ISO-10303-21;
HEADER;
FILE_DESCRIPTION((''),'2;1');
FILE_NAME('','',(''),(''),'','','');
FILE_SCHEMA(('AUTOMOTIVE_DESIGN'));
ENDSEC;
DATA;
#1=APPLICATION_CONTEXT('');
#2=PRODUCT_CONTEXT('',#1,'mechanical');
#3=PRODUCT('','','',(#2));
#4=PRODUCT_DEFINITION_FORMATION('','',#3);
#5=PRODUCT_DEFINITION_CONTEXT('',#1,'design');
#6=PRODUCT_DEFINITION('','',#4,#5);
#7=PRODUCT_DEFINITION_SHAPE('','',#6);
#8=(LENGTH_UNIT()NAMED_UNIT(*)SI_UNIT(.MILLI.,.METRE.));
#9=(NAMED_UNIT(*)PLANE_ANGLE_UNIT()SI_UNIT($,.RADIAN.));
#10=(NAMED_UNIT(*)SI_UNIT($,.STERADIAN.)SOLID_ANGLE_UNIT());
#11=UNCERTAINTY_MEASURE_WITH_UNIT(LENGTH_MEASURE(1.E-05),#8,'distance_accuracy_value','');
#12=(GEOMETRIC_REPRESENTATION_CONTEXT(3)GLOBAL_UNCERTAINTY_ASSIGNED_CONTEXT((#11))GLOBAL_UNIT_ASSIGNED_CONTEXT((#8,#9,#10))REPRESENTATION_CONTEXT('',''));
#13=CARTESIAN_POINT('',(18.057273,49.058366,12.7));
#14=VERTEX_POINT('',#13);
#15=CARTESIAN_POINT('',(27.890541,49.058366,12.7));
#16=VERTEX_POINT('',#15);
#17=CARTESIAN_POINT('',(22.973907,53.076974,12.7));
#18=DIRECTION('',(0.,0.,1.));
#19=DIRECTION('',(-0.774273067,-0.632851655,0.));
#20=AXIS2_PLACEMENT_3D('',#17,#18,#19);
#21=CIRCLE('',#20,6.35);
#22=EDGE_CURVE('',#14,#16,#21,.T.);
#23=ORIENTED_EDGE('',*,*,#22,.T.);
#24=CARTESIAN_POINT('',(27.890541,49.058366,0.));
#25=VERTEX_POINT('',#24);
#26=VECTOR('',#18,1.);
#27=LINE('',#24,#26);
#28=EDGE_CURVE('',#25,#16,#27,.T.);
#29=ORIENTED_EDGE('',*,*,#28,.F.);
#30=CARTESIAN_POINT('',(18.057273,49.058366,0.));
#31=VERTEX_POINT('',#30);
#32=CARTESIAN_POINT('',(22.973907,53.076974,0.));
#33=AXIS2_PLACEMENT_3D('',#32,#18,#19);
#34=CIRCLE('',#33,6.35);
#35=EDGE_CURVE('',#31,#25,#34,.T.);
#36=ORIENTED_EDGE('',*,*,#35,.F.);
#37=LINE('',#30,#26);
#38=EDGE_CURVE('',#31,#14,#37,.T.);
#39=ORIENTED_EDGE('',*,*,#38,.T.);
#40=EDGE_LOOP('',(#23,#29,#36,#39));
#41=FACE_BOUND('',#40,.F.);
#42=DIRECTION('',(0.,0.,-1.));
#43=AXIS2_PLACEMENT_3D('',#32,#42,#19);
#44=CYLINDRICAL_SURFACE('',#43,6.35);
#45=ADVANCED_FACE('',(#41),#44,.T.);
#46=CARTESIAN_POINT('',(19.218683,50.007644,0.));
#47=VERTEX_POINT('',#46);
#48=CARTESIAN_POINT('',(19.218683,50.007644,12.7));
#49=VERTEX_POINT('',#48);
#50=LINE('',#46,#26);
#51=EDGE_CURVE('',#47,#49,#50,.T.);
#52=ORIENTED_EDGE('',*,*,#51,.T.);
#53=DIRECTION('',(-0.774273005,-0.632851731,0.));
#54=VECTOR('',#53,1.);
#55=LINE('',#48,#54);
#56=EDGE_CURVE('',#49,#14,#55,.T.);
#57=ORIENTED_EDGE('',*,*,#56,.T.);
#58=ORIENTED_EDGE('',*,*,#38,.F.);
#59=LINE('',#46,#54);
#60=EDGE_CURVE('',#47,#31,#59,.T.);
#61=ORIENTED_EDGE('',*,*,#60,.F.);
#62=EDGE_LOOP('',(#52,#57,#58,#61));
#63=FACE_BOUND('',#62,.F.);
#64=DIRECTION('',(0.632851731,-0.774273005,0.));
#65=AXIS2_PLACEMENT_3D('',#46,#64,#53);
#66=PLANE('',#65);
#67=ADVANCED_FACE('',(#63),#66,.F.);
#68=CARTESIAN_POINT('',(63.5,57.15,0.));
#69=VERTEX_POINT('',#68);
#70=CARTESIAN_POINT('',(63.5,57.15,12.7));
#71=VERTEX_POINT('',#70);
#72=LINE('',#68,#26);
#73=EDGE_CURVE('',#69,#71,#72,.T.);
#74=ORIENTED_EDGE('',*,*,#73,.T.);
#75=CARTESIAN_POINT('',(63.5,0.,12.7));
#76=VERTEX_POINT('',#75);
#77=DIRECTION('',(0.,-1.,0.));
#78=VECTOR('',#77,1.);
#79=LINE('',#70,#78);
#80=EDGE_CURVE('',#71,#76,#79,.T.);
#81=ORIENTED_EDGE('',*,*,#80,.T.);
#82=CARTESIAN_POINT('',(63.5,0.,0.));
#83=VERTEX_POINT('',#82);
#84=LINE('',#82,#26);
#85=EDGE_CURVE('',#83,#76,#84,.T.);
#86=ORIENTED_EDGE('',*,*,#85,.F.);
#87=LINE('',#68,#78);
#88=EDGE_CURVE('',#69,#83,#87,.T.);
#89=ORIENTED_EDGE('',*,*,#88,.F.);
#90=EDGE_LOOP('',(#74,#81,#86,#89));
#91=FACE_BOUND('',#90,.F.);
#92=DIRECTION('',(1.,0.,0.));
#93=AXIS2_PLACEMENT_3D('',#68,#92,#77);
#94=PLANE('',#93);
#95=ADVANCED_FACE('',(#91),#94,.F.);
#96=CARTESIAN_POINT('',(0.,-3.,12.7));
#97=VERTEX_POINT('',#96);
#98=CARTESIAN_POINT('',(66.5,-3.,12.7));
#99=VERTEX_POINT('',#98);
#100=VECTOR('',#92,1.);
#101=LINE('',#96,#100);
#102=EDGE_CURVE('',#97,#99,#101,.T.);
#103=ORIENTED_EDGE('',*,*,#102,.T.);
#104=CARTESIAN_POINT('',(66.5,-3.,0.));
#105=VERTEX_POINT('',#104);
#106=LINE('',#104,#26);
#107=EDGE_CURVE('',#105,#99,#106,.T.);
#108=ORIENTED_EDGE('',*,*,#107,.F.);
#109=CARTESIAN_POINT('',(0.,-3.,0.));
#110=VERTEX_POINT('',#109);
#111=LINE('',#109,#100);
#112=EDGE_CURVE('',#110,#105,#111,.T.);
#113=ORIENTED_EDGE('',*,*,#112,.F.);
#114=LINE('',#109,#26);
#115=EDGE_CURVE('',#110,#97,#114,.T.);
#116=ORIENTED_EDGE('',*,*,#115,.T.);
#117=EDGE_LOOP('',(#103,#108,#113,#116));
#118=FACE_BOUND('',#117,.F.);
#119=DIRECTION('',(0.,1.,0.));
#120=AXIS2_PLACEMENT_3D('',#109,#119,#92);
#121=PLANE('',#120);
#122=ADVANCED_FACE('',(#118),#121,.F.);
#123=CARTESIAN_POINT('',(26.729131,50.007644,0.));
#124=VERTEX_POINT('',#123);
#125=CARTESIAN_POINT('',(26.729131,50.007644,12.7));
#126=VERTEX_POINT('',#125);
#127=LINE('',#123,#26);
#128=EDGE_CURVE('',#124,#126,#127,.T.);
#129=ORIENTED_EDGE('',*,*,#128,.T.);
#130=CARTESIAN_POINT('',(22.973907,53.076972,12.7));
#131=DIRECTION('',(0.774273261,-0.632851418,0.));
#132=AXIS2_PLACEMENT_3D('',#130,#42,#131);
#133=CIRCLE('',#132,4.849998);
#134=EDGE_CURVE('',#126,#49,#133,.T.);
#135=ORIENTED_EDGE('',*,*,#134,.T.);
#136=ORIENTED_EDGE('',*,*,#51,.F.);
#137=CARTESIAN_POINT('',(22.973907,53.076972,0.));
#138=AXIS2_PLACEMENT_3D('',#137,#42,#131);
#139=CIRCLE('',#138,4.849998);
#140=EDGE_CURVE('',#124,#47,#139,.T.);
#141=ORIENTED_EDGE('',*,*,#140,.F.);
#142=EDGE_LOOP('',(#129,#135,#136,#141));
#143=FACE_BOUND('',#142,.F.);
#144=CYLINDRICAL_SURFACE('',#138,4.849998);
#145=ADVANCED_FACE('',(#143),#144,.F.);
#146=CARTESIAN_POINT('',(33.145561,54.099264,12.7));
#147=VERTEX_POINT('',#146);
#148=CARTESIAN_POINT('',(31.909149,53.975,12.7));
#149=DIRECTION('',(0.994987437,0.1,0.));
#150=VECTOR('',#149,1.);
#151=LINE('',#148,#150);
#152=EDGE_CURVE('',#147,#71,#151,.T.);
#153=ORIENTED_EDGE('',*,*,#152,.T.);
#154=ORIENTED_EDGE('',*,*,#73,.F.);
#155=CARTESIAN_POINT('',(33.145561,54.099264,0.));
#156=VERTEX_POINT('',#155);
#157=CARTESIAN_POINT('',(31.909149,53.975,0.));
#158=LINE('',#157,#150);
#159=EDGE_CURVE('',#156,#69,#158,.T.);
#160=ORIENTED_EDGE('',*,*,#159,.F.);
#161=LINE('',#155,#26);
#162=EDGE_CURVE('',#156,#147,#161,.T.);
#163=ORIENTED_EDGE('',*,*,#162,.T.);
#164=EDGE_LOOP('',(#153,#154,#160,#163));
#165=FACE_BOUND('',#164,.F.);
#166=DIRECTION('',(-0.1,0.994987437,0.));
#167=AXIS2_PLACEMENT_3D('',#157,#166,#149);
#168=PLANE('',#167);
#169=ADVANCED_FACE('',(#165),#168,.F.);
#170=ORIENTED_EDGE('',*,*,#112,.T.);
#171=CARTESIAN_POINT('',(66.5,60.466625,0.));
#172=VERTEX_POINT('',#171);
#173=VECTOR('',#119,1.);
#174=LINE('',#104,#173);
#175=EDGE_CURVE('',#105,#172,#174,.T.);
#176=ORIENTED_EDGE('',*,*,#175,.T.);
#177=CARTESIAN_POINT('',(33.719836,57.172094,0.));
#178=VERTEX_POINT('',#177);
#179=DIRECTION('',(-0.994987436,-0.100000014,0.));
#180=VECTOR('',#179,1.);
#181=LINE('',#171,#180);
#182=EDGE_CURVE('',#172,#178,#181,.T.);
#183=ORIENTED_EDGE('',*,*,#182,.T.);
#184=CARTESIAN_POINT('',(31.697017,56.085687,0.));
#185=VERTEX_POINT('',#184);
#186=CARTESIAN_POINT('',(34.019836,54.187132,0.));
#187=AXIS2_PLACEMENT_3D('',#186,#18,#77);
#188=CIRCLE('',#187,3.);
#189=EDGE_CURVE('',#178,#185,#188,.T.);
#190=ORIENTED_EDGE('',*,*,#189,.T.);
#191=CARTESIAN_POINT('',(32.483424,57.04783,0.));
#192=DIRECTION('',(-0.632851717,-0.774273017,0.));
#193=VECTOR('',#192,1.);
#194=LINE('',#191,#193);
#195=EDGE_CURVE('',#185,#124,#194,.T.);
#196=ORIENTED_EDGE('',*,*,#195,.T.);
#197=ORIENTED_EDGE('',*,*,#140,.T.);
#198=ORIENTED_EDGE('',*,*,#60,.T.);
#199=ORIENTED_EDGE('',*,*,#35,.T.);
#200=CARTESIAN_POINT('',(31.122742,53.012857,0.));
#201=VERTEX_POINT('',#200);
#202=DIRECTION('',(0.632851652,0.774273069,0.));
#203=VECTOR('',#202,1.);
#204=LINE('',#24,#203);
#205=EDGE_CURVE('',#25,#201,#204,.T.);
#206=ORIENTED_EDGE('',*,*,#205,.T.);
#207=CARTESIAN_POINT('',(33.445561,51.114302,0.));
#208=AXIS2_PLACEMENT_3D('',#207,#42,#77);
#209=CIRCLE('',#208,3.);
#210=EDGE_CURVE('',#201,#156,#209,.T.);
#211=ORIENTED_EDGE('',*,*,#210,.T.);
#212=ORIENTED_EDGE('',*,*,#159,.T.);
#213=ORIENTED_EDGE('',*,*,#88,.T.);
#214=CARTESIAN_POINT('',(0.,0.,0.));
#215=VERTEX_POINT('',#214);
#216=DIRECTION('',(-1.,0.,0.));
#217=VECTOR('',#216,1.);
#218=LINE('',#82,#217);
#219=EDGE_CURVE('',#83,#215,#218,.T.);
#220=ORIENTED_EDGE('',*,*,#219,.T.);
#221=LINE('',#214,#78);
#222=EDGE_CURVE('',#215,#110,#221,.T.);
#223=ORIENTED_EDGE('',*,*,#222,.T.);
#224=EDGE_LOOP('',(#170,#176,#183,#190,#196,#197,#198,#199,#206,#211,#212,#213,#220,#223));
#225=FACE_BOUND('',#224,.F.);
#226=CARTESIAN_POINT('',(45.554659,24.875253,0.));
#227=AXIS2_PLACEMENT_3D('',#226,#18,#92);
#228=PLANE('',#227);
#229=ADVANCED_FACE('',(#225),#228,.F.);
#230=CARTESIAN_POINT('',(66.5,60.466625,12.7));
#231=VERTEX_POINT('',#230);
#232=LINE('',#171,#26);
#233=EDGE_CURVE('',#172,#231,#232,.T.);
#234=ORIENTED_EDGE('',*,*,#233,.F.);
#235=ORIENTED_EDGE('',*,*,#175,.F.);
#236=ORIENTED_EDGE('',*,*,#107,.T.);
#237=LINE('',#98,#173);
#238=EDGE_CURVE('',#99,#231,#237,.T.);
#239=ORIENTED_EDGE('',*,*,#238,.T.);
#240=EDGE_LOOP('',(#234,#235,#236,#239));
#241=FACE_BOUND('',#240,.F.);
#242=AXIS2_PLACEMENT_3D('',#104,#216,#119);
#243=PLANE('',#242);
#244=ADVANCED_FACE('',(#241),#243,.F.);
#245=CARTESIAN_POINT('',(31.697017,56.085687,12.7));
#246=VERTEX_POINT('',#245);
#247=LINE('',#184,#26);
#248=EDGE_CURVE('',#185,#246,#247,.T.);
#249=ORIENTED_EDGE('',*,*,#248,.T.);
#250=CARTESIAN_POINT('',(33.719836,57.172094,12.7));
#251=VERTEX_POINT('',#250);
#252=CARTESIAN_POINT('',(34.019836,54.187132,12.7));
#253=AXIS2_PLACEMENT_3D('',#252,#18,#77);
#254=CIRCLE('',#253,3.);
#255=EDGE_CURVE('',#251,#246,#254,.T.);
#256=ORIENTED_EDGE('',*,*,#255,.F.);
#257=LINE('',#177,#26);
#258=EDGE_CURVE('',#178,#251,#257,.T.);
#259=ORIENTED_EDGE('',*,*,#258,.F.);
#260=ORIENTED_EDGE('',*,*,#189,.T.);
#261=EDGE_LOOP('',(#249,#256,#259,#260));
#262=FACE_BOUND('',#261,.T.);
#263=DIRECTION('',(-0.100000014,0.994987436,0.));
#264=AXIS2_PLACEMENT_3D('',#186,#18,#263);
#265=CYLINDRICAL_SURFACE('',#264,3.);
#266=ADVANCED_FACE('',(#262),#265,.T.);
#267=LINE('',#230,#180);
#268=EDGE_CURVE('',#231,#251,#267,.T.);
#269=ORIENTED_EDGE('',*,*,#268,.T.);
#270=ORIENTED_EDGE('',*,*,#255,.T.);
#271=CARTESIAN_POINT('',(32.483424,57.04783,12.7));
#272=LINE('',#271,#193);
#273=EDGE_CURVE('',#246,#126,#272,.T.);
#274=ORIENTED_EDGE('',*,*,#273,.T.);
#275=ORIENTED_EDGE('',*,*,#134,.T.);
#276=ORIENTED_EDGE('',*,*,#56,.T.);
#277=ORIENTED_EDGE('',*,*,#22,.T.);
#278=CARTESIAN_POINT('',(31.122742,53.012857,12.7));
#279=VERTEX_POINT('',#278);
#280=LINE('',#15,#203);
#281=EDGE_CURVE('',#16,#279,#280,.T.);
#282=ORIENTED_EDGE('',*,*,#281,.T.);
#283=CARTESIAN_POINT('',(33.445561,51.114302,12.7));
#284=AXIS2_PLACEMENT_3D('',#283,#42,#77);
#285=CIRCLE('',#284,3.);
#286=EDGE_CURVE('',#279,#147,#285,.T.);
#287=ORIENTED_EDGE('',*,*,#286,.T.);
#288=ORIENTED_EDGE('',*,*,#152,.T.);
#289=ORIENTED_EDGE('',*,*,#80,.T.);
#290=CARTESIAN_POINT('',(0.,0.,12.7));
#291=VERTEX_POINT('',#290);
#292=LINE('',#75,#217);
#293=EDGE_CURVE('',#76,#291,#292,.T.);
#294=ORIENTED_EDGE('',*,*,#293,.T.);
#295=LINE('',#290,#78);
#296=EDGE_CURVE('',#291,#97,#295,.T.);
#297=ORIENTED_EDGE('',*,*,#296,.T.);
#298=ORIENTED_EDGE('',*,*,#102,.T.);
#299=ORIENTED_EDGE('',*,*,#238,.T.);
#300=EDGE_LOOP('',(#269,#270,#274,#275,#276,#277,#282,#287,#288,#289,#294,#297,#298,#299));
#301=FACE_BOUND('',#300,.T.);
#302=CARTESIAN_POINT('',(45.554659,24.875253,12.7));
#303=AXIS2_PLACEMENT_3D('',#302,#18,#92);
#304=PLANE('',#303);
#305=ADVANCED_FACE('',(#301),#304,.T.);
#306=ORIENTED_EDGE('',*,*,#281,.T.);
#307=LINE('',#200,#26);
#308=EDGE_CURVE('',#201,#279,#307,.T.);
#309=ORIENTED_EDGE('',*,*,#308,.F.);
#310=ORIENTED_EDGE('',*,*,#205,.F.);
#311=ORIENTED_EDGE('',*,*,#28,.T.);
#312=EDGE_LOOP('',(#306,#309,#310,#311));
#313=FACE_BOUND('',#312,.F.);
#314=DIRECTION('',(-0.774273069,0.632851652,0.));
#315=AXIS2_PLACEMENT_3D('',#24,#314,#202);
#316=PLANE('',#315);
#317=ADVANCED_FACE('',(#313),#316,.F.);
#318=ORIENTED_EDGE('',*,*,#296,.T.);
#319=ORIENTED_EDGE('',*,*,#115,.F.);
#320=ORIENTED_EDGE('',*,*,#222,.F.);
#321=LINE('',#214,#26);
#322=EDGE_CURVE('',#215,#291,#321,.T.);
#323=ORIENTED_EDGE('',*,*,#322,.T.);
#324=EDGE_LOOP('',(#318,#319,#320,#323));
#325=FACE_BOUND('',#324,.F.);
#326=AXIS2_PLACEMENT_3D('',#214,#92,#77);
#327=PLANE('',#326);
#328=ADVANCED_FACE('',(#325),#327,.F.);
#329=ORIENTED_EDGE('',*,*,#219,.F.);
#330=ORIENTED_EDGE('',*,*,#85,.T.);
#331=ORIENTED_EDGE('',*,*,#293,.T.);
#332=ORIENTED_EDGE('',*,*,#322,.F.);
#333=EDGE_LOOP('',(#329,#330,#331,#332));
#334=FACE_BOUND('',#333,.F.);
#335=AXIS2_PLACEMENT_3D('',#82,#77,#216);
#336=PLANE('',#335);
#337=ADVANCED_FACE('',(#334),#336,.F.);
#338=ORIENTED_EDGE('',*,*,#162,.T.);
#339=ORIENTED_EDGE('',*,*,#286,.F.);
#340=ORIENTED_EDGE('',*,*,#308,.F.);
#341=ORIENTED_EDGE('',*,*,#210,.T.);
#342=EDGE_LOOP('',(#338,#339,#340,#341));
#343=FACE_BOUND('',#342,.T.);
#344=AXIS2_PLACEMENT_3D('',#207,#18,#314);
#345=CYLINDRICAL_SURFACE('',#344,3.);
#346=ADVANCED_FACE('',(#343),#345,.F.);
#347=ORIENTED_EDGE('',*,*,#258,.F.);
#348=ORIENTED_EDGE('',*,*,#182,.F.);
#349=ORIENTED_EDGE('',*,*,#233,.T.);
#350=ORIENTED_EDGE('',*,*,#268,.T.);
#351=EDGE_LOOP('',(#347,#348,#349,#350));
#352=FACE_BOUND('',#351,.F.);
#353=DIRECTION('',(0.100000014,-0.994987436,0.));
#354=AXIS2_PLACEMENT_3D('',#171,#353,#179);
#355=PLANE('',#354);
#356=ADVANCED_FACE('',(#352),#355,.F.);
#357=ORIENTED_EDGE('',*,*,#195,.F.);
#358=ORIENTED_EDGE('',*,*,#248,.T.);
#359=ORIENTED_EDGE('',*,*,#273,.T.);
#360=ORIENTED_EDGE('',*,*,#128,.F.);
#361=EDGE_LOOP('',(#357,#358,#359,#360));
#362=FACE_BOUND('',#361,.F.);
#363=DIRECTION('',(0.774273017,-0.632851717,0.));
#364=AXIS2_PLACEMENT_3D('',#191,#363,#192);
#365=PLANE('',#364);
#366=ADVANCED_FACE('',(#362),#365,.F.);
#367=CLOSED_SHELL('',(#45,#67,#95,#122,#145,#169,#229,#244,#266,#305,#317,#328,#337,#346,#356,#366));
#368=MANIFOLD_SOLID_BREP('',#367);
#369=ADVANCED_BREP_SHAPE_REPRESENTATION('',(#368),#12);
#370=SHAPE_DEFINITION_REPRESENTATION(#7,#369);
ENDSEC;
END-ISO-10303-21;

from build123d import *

# Parameters (mm, degrees)
F1_DEPTH = 12.7
F2_R     = 3


with BuildPart() as f1:
    # F0 (on Top) → F1 (new body)
    with BuildSketch(Plane.XY):
        with BuildLine():
            Line((63.5, 0), (0, 0))
            Line((0, 0), (0, -3))
            Line((0, -3), (66.5, -3))
            Line((66.5, -3), (66.5, 60.466625))
            Line((66.5, 60.466625), (32.483424, 57.04783))
            Line((32.483424, 57.04783), (26.729131, 50.007644))
            ThreePointArc((26.729131, 50.007644), (22.973907, 48.226974), (19.218683, 50.007644))
            Line((19.218683, 50.007644), (18.057273, 49.058366))
            ThreePointArc((18.057273, 49.058366), (22.973907, 46.726974), (27.890541, 49.058366))
            Line((27.890541, 49.058366), (31.909149, 53.975))
            Line((31.909149, 53.975), (63.5, 57.15))
            Line((63.5, 57.15), (63.5, 0))
        make_face()
    extrude(amount=F1_DEPTH)

    # F2
    f2_edges = [f1.edges().sort_by_distance(p)[0] for p in [
        (31.909149, 53.975, 6.35),
        (32.483424, 57.04783, 6.35),
    ]]
    fillet(f2_edges, radius=F2_R)


solid = f1.part
